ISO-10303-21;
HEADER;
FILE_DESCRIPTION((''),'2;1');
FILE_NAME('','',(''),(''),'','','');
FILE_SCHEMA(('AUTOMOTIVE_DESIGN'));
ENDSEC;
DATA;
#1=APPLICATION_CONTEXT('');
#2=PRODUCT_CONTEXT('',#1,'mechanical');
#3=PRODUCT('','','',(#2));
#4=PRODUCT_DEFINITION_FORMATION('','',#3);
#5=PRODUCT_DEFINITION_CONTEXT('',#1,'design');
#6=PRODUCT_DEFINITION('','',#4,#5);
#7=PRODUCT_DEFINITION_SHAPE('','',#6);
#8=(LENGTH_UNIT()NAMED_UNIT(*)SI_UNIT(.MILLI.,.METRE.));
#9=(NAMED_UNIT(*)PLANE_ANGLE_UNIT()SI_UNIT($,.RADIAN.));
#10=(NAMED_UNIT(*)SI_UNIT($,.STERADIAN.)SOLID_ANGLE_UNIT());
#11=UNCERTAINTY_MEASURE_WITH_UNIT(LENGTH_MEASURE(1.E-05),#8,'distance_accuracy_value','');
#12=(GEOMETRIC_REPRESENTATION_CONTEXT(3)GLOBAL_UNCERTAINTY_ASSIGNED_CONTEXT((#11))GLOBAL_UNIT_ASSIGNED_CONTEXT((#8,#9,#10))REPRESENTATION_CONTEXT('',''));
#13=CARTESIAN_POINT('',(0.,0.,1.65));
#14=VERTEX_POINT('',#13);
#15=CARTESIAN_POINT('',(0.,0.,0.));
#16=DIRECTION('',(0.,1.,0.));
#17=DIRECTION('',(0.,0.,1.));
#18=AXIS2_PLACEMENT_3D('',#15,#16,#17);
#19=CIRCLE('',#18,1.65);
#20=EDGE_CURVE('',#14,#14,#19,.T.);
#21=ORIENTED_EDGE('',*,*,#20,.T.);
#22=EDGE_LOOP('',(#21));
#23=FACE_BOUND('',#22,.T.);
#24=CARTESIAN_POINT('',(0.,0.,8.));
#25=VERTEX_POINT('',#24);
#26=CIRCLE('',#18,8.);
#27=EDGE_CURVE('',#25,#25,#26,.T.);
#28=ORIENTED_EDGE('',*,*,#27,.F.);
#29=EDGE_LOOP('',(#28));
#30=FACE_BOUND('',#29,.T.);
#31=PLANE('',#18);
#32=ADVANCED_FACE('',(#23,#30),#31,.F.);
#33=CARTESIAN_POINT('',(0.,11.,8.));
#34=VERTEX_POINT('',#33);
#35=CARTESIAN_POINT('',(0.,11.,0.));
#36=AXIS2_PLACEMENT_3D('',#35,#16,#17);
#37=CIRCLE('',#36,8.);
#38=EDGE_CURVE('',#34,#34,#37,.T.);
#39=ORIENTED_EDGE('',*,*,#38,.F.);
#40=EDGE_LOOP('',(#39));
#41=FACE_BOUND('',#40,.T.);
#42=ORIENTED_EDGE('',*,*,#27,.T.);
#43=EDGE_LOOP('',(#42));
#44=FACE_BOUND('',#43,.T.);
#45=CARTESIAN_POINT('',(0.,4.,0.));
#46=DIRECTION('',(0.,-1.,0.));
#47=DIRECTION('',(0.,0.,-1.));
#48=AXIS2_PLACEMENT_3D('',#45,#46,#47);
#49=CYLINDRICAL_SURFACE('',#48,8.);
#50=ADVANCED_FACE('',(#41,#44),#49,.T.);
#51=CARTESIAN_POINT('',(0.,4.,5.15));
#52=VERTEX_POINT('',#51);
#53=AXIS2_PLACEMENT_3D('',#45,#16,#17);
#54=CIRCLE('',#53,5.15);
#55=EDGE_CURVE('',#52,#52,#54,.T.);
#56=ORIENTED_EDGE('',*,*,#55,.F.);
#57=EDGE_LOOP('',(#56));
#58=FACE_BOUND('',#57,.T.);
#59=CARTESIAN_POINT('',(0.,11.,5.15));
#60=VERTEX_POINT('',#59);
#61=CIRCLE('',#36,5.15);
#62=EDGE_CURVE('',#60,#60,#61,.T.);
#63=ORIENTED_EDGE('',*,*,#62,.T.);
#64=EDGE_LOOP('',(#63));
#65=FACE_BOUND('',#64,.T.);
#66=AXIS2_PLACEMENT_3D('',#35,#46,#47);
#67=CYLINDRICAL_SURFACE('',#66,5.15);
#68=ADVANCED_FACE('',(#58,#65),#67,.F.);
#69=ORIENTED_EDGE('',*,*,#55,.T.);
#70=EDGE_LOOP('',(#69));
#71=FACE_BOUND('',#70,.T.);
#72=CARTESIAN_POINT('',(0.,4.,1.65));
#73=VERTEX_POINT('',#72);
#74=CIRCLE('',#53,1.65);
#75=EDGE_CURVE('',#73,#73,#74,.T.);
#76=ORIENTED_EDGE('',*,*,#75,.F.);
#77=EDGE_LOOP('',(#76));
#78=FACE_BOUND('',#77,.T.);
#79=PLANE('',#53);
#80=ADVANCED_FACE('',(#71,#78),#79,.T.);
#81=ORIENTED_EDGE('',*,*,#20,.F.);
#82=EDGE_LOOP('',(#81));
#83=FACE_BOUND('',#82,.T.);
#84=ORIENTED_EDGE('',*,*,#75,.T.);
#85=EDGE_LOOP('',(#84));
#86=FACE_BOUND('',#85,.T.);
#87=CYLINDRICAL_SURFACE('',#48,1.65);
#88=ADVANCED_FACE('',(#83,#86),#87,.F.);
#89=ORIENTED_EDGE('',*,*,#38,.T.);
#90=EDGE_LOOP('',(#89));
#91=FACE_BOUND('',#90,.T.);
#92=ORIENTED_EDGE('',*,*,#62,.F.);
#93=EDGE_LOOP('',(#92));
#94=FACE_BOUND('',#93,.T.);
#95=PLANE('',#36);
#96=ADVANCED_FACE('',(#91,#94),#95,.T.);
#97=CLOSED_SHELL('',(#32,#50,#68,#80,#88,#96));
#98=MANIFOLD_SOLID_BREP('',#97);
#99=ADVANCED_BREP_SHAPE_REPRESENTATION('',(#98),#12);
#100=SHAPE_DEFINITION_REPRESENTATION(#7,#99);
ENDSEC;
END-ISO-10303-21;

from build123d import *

# Parameters (mm, degrees)
SKETCH_1_R      = 8
SKETCH_1_R_2    = 1.65
EXTRUDE_1_DEPTH = 4
SKETCH_2_R      = 8
SKETCH_2_R_2    = 5.15
EXTRUDE_2_DEPTH = 7


with BuildPart() as part:
    # 草图1 → 凸台-拉伸1 (new body)
    with BuildSketch(Plane(origin=(0, 0, 0), x_dir=(1, 0, 0), z_dir=(0, 1, 0))):
        with Locations(Location((0, 0, 0), (0, 0, 270))):
            Circle(SKETCH_1_R)
        with Locations(Location((0, 0, 0), (0, 0, 270))):
            Circle(SKETCH_1_R_2, mode=Mode.SUBTRACT)
    extrude(amount=EXTRUDE_1_DEPTH)

    # 草图2 → 凸台-拉伸2 (add)
    with BuildSketch(Plane(origin=(0, 4, 0), x_dir=(1, 0, 0), z_dir=(0, 1, 0))):
        with Locations(Location((0, 0, 0), (0, 0, 270))):
            Circle(SKETCH_2_R)
        with Locations(Location((0, 0, 0), (0, 0, 270))):
            Circle(SKETCH_2_R_2, mode=Mode.SUBTRACT)
    extrude(amount=EXTRUDE_2_DEPTH)


solid = part.part
